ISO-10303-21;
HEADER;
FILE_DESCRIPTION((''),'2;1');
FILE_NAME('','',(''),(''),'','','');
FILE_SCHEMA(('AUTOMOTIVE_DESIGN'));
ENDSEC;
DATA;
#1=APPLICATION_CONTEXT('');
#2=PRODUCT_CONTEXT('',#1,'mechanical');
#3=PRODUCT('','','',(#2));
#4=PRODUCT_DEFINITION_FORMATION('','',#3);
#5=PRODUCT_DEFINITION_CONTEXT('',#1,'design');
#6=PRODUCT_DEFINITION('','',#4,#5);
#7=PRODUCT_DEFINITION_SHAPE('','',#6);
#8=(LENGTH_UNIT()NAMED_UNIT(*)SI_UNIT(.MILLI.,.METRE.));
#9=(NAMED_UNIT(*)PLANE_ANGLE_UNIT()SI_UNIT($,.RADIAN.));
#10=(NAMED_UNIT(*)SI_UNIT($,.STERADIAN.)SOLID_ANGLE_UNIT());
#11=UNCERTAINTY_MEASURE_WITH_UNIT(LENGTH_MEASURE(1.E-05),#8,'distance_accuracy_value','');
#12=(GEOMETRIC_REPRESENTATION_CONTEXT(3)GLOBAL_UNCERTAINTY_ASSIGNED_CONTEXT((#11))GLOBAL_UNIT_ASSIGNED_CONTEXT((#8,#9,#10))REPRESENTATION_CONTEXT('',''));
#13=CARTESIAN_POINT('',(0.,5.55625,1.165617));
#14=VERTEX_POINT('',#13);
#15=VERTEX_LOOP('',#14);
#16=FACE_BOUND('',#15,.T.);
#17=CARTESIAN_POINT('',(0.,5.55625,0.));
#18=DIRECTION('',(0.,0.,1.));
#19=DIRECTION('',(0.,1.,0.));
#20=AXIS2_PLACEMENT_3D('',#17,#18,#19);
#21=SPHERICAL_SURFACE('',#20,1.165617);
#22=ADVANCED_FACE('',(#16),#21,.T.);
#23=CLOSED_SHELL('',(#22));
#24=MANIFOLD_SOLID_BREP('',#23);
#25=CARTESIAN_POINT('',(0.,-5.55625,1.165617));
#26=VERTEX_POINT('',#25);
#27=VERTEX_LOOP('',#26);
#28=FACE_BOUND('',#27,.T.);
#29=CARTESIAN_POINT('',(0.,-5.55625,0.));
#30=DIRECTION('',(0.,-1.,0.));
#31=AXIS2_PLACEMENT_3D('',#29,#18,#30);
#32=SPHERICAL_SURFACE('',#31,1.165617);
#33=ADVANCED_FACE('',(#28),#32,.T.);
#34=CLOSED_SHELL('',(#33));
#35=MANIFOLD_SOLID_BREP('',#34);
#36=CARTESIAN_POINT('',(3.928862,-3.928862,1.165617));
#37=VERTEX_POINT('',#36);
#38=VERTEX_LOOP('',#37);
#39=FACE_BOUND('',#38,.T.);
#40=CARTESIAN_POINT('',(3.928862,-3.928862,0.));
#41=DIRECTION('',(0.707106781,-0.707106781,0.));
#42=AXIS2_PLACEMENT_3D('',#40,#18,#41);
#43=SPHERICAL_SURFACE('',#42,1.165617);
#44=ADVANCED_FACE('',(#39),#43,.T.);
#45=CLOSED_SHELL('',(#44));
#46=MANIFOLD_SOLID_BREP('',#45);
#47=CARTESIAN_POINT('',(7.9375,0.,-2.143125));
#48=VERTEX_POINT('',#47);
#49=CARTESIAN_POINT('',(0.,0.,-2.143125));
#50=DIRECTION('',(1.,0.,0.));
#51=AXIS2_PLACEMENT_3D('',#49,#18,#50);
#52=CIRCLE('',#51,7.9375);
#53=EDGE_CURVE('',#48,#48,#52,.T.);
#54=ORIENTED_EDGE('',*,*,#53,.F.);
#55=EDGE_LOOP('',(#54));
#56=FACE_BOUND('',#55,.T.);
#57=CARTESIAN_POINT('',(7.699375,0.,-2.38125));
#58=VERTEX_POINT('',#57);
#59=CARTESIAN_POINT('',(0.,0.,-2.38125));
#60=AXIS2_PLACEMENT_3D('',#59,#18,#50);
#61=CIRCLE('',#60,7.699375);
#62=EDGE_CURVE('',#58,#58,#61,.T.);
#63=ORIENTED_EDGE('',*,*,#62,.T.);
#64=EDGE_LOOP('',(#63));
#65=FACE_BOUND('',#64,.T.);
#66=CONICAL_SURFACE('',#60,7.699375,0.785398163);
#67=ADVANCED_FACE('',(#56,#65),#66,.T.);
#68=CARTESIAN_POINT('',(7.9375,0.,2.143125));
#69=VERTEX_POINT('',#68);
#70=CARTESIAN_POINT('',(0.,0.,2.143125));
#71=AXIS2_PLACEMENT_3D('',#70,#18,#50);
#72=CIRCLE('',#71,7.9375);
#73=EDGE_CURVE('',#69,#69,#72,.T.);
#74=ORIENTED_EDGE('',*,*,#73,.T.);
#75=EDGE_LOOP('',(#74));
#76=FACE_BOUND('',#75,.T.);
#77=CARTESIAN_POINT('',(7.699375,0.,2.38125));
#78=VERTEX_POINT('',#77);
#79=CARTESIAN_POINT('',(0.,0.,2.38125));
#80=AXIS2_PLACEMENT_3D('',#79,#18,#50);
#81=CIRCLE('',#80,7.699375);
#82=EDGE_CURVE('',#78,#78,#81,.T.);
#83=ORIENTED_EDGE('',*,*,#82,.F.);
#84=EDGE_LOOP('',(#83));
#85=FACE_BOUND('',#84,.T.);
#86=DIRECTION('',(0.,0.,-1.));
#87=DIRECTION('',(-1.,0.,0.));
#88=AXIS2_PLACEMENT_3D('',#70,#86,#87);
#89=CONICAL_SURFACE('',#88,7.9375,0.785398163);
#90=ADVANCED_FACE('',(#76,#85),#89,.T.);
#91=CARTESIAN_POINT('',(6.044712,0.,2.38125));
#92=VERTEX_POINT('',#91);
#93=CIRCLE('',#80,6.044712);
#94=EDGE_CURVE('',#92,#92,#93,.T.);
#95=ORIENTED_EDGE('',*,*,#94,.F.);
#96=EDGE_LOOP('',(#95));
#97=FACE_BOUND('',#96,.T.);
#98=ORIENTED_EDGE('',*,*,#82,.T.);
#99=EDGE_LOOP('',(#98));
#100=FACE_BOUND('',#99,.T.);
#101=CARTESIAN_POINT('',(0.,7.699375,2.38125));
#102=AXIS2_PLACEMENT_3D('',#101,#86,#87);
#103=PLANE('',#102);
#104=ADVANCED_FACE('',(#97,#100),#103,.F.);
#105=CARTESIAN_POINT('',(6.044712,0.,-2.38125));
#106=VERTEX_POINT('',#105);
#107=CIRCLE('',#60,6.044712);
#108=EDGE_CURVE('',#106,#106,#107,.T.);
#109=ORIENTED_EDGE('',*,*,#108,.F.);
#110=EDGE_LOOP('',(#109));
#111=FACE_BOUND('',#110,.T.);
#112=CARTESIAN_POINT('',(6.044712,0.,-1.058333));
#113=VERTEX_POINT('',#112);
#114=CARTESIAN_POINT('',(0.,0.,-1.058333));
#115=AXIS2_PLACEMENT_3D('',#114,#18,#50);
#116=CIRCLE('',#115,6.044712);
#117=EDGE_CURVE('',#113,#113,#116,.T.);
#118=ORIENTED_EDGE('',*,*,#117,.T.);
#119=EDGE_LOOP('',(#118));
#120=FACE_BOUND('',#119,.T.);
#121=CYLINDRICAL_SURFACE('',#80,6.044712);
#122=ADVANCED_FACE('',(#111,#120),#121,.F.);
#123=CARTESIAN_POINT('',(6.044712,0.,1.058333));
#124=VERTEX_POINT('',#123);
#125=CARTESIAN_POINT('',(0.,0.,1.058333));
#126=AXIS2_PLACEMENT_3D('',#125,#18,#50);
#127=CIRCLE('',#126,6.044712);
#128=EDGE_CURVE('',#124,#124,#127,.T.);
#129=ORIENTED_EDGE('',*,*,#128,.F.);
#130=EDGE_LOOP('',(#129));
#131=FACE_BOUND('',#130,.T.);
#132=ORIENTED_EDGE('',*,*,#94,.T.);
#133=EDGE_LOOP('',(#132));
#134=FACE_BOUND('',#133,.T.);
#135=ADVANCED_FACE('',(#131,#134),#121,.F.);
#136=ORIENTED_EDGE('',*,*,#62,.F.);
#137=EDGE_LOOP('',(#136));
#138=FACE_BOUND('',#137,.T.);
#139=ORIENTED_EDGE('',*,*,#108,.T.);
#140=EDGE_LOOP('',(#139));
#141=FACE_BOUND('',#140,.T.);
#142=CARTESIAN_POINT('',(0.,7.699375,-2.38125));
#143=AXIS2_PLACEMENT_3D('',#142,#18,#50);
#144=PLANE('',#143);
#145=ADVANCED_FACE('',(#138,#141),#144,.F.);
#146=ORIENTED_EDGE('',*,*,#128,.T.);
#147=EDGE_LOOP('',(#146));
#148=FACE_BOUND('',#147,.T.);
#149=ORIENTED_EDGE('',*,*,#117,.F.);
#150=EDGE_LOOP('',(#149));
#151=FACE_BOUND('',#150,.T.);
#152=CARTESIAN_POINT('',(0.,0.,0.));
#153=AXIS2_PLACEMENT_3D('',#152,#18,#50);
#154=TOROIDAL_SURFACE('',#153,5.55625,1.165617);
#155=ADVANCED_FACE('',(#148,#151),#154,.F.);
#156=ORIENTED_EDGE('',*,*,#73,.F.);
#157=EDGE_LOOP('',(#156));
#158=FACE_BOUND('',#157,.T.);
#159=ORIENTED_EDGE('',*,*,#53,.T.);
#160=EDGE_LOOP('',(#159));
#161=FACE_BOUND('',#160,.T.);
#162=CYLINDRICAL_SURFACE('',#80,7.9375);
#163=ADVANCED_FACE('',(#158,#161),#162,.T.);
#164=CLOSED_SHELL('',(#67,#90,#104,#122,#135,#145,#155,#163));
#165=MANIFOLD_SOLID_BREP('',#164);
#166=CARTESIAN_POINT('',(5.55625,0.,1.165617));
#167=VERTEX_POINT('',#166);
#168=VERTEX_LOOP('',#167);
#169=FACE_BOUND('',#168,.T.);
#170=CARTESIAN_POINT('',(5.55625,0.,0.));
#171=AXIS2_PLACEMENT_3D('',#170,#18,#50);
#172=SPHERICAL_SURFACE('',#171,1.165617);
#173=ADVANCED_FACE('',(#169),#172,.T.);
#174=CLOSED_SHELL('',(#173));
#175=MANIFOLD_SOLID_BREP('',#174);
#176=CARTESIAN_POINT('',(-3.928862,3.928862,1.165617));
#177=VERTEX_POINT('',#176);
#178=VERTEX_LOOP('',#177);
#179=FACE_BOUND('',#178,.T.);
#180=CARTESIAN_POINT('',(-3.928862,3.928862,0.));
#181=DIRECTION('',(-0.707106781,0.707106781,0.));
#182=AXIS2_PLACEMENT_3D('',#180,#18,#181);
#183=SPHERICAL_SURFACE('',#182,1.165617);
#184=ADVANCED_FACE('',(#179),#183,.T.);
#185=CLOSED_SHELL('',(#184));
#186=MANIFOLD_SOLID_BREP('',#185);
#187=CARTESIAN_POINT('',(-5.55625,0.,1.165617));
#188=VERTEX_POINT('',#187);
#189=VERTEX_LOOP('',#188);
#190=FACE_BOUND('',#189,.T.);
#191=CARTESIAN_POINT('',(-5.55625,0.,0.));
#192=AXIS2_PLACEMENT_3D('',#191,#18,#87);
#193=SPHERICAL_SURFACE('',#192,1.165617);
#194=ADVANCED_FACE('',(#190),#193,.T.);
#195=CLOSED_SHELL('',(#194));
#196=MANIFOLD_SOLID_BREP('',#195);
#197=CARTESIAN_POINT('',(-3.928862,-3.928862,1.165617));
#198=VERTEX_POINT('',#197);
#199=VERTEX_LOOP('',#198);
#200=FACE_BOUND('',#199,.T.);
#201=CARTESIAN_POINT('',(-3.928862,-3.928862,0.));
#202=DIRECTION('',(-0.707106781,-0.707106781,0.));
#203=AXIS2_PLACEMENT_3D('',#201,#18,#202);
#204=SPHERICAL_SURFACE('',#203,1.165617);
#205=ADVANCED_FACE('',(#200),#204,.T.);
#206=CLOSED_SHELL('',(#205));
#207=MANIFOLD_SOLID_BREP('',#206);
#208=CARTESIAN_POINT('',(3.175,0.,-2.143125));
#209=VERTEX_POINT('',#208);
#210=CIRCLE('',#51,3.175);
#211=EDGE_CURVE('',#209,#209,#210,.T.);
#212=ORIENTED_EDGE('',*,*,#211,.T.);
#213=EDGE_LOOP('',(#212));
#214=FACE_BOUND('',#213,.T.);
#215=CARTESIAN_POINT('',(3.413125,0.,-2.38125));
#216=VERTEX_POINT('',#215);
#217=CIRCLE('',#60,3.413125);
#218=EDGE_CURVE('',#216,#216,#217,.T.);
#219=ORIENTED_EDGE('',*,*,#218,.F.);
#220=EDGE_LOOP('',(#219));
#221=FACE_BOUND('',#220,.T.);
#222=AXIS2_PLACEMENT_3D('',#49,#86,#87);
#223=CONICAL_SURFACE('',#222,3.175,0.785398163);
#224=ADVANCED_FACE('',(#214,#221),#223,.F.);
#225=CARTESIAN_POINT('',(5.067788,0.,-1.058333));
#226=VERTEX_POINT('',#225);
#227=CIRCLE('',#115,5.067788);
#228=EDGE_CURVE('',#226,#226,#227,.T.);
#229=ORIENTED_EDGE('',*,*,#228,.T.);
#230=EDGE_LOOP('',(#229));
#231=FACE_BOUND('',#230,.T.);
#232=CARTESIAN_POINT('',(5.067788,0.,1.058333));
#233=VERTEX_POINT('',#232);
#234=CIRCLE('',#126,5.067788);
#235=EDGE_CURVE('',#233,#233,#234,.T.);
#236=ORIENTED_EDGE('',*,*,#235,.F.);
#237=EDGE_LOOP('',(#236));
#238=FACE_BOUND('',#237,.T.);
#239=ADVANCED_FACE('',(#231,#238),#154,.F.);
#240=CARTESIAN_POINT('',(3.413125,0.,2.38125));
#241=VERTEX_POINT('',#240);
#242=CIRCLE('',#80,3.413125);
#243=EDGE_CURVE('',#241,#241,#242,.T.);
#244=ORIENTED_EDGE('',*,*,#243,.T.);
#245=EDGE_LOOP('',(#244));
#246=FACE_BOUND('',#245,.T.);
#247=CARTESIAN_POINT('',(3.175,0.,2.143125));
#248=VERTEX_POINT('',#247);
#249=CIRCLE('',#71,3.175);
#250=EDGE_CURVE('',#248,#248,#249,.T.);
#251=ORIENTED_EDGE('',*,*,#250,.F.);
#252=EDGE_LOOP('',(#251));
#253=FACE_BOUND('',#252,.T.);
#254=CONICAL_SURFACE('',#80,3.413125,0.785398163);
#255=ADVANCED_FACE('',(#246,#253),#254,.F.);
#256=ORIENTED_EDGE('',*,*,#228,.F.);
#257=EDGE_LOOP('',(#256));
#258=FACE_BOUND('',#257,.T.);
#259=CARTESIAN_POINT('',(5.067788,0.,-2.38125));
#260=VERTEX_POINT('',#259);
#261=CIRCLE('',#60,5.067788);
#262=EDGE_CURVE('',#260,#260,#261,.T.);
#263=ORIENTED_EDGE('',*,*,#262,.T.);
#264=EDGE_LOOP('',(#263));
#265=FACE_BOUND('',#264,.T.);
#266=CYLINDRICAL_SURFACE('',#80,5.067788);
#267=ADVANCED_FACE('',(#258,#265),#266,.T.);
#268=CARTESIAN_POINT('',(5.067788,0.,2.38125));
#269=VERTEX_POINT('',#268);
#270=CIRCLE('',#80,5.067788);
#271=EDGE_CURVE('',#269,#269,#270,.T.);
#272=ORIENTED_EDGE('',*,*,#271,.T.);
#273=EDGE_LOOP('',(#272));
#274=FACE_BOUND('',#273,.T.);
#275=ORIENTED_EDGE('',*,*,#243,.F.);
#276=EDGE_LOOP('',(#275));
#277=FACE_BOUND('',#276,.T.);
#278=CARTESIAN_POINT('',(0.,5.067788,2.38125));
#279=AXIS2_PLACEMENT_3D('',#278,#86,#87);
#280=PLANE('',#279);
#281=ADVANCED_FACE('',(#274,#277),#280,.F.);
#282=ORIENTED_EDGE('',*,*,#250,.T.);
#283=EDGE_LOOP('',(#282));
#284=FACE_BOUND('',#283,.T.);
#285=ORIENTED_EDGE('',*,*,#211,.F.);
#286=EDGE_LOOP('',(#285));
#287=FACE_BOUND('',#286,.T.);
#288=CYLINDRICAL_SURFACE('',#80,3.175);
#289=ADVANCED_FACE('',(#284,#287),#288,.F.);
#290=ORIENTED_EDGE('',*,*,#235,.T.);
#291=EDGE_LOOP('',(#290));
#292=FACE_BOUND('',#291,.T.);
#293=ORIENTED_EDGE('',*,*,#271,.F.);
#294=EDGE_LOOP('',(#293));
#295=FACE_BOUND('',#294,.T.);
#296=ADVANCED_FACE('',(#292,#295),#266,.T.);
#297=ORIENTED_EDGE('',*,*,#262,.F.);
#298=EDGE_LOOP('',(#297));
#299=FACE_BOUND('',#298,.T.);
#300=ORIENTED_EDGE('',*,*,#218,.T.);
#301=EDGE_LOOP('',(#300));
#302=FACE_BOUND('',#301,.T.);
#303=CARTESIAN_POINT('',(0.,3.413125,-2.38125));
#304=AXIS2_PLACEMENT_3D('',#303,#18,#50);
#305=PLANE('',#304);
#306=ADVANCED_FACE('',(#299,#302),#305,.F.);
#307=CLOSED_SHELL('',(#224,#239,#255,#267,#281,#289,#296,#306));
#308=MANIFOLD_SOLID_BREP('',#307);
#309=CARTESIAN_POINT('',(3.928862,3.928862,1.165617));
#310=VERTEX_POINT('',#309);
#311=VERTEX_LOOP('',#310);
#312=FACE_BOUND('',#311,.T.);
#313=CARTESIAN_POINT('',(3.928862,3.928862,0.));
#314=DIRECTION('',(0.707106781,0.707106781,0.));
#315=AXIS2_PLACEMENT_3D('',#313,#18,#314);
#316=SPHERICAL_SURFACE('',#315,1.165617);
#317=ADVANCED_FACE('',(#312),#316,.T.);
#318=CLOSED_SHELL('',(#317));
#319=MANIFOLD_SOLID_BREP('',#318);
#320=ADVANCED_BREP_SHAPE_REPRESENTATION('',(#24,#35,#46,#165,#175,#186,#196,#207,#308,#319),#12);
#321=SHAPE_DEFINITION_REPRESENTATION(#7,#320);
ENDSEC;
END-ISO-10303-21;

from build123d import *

# Parameters (mm, degrees)
CIRPATTERN1_COUNT = 8


with BuildPart() as part:
    # Sketch1 → Revolve1 (revolve)
    with BuildSketch(Plane(origin=(0, 0, 0), x_dir=(0, 0, -1), z_dir=(1, 0, 0))):
        with BuildLine():
            Line((2.143125, 7.9375), (-2.143125, 7.9375))
            Line((-2.143125, 7.9375), (-2.38125, 7.699375))
            Line((-2.38125, 7.699375), (-2.38125, 6.044711538))
            Line((-2.38125, 6.044711538), (-1.058333333, 6.044711538))
            ThreePointArc((-1.058333333, 6.044711538), (0, 6.721867484), (1.058333333, 6.044711538))
            Line((1.058333333, 6.044711538), (2.38125, 6.044711538))
            Line((2.38125, 6.044711538), (2.38125, 7.699375))
            Line((2.38125, 7.699375), (2.143125, 7.9375))
        make_face()
    revolve(axis=Axis((0, 0, 2.38125), (0, 0, -1)))


with BuildPart() as body_2:
    # Sketch3 → Revolve3 (revolve)
    with BuildSketch(Plane(origin=(0, 0, 0), x_dir=(0, 0, -1), z_dir=(1, 0, 0))):
        with BuildLine():
            Line((-2.38125, 5.067788462), (-1.058333333, 5.067788462))
            ThreePointArc((-1.058333333, 5.067788462), (0, 4.390632516), (1.058333333, 5.067788462))
            Line((1.058333333, 5.067788462), (2.38125, 5.067788462))
            Line((2.38125, 5.067788462), (2.38125, 3.413125))
            Line((2.38125, 3.413125), (2.143125, 3.175))
            Line((2.143125, 3.175), (-2.143125, 3.175))
            Line((-2.143125, 3.175), (-2.38125, 3.413125))
            Line((-2.38125, 3.413125), (-2.38125, 5.067788462))
        make_face()
    revolve(axis=Axis((0, 0, 2.38125), (0, 0, -1)))


with BuildPart() as body_3:
    # Sketch4 → Revolve4 (revolve)
    with BuildSketch(Plane(origin=(0, 0, 0), x_dir=(0, 0, -1), z_dir=(1, 0, 0))):
        with BuildLine():
            Line((-1.165617484, 5.55625), (1.165617484, 5.55625))
            ThreePointArc((1.165617484, 5.55625), (0, 6.721867484), (-1.165617484, 5.55625))
        make_face()
    revolve(axis=Axis((0, 5.55625, 1.165617484), (0, 0, -1)))


with BuildPart() as cirpattern1_1:
    # CirPattern1: pattern copy
    add(body_3.part.rotate(Axis((0, 0, -2.38125), (0, 0, 1)), 1 * 360 / CIRPATTERN1_COUNT))


with BuildPart() as cirpattern1_2:
    # CirPattern1: pattern copy
    add(body_3.part.rotate(Axis((0, 0, -2.38125), (0, 0, 1)), 2 * 360 / CIRPATTERN1_COUNT))


with BuildPart() as cirpattern1_3:
    # CirPattern1: pattern copy
    add(body_3.part.rotate(Axis((0, 0, -2.38125), (0, 0, 1)), 3 * 360 / CIRPATTERN1_COUNT))


with BuildPart() as cirpattern1_4:
    # CirPattern1: pattern copy
    add(body_3.part.rotate(Axis((0, 0, -2.38125), (0, 0, 1)), 4 * 360 / CIRPATTERN1_COUNT))


with BuildPart() as cirpattern1_5:
    # CirPattern1: pattern copy
    add(body_3.part.rotate(Axis((0, 0, -2.38125), (0, 0, 1)), 5 * 360 / CIRPATTERN1_COUNT))


with BuildPart() as cirpattern1_6:
    # CirPattern1: pattern copy
    add(body_3.part.rotate(Axis((0, 0, -2.38125), (0, 0, 1)), 6 * 360 / CIRPATTERN1_COUNT))


with BuildPart() as cirpattern1_7:
    # CirPattern1: pattern copy
    add(body_3.part.rotate(Axis((0, 0, -2.38125), (0, 0, 1)), 7 * 360 / CIRPATTERN1_COUNT))


solid = Compound([part.part, body_2.part, body_3.part, cirpattern1_1.part, cirpattern1_2.part, cirpattern1_3.part, cirpattern1_4.part, cirpattern1_5.part, cirpattern1_6.part, cirpattern1_7.part])
